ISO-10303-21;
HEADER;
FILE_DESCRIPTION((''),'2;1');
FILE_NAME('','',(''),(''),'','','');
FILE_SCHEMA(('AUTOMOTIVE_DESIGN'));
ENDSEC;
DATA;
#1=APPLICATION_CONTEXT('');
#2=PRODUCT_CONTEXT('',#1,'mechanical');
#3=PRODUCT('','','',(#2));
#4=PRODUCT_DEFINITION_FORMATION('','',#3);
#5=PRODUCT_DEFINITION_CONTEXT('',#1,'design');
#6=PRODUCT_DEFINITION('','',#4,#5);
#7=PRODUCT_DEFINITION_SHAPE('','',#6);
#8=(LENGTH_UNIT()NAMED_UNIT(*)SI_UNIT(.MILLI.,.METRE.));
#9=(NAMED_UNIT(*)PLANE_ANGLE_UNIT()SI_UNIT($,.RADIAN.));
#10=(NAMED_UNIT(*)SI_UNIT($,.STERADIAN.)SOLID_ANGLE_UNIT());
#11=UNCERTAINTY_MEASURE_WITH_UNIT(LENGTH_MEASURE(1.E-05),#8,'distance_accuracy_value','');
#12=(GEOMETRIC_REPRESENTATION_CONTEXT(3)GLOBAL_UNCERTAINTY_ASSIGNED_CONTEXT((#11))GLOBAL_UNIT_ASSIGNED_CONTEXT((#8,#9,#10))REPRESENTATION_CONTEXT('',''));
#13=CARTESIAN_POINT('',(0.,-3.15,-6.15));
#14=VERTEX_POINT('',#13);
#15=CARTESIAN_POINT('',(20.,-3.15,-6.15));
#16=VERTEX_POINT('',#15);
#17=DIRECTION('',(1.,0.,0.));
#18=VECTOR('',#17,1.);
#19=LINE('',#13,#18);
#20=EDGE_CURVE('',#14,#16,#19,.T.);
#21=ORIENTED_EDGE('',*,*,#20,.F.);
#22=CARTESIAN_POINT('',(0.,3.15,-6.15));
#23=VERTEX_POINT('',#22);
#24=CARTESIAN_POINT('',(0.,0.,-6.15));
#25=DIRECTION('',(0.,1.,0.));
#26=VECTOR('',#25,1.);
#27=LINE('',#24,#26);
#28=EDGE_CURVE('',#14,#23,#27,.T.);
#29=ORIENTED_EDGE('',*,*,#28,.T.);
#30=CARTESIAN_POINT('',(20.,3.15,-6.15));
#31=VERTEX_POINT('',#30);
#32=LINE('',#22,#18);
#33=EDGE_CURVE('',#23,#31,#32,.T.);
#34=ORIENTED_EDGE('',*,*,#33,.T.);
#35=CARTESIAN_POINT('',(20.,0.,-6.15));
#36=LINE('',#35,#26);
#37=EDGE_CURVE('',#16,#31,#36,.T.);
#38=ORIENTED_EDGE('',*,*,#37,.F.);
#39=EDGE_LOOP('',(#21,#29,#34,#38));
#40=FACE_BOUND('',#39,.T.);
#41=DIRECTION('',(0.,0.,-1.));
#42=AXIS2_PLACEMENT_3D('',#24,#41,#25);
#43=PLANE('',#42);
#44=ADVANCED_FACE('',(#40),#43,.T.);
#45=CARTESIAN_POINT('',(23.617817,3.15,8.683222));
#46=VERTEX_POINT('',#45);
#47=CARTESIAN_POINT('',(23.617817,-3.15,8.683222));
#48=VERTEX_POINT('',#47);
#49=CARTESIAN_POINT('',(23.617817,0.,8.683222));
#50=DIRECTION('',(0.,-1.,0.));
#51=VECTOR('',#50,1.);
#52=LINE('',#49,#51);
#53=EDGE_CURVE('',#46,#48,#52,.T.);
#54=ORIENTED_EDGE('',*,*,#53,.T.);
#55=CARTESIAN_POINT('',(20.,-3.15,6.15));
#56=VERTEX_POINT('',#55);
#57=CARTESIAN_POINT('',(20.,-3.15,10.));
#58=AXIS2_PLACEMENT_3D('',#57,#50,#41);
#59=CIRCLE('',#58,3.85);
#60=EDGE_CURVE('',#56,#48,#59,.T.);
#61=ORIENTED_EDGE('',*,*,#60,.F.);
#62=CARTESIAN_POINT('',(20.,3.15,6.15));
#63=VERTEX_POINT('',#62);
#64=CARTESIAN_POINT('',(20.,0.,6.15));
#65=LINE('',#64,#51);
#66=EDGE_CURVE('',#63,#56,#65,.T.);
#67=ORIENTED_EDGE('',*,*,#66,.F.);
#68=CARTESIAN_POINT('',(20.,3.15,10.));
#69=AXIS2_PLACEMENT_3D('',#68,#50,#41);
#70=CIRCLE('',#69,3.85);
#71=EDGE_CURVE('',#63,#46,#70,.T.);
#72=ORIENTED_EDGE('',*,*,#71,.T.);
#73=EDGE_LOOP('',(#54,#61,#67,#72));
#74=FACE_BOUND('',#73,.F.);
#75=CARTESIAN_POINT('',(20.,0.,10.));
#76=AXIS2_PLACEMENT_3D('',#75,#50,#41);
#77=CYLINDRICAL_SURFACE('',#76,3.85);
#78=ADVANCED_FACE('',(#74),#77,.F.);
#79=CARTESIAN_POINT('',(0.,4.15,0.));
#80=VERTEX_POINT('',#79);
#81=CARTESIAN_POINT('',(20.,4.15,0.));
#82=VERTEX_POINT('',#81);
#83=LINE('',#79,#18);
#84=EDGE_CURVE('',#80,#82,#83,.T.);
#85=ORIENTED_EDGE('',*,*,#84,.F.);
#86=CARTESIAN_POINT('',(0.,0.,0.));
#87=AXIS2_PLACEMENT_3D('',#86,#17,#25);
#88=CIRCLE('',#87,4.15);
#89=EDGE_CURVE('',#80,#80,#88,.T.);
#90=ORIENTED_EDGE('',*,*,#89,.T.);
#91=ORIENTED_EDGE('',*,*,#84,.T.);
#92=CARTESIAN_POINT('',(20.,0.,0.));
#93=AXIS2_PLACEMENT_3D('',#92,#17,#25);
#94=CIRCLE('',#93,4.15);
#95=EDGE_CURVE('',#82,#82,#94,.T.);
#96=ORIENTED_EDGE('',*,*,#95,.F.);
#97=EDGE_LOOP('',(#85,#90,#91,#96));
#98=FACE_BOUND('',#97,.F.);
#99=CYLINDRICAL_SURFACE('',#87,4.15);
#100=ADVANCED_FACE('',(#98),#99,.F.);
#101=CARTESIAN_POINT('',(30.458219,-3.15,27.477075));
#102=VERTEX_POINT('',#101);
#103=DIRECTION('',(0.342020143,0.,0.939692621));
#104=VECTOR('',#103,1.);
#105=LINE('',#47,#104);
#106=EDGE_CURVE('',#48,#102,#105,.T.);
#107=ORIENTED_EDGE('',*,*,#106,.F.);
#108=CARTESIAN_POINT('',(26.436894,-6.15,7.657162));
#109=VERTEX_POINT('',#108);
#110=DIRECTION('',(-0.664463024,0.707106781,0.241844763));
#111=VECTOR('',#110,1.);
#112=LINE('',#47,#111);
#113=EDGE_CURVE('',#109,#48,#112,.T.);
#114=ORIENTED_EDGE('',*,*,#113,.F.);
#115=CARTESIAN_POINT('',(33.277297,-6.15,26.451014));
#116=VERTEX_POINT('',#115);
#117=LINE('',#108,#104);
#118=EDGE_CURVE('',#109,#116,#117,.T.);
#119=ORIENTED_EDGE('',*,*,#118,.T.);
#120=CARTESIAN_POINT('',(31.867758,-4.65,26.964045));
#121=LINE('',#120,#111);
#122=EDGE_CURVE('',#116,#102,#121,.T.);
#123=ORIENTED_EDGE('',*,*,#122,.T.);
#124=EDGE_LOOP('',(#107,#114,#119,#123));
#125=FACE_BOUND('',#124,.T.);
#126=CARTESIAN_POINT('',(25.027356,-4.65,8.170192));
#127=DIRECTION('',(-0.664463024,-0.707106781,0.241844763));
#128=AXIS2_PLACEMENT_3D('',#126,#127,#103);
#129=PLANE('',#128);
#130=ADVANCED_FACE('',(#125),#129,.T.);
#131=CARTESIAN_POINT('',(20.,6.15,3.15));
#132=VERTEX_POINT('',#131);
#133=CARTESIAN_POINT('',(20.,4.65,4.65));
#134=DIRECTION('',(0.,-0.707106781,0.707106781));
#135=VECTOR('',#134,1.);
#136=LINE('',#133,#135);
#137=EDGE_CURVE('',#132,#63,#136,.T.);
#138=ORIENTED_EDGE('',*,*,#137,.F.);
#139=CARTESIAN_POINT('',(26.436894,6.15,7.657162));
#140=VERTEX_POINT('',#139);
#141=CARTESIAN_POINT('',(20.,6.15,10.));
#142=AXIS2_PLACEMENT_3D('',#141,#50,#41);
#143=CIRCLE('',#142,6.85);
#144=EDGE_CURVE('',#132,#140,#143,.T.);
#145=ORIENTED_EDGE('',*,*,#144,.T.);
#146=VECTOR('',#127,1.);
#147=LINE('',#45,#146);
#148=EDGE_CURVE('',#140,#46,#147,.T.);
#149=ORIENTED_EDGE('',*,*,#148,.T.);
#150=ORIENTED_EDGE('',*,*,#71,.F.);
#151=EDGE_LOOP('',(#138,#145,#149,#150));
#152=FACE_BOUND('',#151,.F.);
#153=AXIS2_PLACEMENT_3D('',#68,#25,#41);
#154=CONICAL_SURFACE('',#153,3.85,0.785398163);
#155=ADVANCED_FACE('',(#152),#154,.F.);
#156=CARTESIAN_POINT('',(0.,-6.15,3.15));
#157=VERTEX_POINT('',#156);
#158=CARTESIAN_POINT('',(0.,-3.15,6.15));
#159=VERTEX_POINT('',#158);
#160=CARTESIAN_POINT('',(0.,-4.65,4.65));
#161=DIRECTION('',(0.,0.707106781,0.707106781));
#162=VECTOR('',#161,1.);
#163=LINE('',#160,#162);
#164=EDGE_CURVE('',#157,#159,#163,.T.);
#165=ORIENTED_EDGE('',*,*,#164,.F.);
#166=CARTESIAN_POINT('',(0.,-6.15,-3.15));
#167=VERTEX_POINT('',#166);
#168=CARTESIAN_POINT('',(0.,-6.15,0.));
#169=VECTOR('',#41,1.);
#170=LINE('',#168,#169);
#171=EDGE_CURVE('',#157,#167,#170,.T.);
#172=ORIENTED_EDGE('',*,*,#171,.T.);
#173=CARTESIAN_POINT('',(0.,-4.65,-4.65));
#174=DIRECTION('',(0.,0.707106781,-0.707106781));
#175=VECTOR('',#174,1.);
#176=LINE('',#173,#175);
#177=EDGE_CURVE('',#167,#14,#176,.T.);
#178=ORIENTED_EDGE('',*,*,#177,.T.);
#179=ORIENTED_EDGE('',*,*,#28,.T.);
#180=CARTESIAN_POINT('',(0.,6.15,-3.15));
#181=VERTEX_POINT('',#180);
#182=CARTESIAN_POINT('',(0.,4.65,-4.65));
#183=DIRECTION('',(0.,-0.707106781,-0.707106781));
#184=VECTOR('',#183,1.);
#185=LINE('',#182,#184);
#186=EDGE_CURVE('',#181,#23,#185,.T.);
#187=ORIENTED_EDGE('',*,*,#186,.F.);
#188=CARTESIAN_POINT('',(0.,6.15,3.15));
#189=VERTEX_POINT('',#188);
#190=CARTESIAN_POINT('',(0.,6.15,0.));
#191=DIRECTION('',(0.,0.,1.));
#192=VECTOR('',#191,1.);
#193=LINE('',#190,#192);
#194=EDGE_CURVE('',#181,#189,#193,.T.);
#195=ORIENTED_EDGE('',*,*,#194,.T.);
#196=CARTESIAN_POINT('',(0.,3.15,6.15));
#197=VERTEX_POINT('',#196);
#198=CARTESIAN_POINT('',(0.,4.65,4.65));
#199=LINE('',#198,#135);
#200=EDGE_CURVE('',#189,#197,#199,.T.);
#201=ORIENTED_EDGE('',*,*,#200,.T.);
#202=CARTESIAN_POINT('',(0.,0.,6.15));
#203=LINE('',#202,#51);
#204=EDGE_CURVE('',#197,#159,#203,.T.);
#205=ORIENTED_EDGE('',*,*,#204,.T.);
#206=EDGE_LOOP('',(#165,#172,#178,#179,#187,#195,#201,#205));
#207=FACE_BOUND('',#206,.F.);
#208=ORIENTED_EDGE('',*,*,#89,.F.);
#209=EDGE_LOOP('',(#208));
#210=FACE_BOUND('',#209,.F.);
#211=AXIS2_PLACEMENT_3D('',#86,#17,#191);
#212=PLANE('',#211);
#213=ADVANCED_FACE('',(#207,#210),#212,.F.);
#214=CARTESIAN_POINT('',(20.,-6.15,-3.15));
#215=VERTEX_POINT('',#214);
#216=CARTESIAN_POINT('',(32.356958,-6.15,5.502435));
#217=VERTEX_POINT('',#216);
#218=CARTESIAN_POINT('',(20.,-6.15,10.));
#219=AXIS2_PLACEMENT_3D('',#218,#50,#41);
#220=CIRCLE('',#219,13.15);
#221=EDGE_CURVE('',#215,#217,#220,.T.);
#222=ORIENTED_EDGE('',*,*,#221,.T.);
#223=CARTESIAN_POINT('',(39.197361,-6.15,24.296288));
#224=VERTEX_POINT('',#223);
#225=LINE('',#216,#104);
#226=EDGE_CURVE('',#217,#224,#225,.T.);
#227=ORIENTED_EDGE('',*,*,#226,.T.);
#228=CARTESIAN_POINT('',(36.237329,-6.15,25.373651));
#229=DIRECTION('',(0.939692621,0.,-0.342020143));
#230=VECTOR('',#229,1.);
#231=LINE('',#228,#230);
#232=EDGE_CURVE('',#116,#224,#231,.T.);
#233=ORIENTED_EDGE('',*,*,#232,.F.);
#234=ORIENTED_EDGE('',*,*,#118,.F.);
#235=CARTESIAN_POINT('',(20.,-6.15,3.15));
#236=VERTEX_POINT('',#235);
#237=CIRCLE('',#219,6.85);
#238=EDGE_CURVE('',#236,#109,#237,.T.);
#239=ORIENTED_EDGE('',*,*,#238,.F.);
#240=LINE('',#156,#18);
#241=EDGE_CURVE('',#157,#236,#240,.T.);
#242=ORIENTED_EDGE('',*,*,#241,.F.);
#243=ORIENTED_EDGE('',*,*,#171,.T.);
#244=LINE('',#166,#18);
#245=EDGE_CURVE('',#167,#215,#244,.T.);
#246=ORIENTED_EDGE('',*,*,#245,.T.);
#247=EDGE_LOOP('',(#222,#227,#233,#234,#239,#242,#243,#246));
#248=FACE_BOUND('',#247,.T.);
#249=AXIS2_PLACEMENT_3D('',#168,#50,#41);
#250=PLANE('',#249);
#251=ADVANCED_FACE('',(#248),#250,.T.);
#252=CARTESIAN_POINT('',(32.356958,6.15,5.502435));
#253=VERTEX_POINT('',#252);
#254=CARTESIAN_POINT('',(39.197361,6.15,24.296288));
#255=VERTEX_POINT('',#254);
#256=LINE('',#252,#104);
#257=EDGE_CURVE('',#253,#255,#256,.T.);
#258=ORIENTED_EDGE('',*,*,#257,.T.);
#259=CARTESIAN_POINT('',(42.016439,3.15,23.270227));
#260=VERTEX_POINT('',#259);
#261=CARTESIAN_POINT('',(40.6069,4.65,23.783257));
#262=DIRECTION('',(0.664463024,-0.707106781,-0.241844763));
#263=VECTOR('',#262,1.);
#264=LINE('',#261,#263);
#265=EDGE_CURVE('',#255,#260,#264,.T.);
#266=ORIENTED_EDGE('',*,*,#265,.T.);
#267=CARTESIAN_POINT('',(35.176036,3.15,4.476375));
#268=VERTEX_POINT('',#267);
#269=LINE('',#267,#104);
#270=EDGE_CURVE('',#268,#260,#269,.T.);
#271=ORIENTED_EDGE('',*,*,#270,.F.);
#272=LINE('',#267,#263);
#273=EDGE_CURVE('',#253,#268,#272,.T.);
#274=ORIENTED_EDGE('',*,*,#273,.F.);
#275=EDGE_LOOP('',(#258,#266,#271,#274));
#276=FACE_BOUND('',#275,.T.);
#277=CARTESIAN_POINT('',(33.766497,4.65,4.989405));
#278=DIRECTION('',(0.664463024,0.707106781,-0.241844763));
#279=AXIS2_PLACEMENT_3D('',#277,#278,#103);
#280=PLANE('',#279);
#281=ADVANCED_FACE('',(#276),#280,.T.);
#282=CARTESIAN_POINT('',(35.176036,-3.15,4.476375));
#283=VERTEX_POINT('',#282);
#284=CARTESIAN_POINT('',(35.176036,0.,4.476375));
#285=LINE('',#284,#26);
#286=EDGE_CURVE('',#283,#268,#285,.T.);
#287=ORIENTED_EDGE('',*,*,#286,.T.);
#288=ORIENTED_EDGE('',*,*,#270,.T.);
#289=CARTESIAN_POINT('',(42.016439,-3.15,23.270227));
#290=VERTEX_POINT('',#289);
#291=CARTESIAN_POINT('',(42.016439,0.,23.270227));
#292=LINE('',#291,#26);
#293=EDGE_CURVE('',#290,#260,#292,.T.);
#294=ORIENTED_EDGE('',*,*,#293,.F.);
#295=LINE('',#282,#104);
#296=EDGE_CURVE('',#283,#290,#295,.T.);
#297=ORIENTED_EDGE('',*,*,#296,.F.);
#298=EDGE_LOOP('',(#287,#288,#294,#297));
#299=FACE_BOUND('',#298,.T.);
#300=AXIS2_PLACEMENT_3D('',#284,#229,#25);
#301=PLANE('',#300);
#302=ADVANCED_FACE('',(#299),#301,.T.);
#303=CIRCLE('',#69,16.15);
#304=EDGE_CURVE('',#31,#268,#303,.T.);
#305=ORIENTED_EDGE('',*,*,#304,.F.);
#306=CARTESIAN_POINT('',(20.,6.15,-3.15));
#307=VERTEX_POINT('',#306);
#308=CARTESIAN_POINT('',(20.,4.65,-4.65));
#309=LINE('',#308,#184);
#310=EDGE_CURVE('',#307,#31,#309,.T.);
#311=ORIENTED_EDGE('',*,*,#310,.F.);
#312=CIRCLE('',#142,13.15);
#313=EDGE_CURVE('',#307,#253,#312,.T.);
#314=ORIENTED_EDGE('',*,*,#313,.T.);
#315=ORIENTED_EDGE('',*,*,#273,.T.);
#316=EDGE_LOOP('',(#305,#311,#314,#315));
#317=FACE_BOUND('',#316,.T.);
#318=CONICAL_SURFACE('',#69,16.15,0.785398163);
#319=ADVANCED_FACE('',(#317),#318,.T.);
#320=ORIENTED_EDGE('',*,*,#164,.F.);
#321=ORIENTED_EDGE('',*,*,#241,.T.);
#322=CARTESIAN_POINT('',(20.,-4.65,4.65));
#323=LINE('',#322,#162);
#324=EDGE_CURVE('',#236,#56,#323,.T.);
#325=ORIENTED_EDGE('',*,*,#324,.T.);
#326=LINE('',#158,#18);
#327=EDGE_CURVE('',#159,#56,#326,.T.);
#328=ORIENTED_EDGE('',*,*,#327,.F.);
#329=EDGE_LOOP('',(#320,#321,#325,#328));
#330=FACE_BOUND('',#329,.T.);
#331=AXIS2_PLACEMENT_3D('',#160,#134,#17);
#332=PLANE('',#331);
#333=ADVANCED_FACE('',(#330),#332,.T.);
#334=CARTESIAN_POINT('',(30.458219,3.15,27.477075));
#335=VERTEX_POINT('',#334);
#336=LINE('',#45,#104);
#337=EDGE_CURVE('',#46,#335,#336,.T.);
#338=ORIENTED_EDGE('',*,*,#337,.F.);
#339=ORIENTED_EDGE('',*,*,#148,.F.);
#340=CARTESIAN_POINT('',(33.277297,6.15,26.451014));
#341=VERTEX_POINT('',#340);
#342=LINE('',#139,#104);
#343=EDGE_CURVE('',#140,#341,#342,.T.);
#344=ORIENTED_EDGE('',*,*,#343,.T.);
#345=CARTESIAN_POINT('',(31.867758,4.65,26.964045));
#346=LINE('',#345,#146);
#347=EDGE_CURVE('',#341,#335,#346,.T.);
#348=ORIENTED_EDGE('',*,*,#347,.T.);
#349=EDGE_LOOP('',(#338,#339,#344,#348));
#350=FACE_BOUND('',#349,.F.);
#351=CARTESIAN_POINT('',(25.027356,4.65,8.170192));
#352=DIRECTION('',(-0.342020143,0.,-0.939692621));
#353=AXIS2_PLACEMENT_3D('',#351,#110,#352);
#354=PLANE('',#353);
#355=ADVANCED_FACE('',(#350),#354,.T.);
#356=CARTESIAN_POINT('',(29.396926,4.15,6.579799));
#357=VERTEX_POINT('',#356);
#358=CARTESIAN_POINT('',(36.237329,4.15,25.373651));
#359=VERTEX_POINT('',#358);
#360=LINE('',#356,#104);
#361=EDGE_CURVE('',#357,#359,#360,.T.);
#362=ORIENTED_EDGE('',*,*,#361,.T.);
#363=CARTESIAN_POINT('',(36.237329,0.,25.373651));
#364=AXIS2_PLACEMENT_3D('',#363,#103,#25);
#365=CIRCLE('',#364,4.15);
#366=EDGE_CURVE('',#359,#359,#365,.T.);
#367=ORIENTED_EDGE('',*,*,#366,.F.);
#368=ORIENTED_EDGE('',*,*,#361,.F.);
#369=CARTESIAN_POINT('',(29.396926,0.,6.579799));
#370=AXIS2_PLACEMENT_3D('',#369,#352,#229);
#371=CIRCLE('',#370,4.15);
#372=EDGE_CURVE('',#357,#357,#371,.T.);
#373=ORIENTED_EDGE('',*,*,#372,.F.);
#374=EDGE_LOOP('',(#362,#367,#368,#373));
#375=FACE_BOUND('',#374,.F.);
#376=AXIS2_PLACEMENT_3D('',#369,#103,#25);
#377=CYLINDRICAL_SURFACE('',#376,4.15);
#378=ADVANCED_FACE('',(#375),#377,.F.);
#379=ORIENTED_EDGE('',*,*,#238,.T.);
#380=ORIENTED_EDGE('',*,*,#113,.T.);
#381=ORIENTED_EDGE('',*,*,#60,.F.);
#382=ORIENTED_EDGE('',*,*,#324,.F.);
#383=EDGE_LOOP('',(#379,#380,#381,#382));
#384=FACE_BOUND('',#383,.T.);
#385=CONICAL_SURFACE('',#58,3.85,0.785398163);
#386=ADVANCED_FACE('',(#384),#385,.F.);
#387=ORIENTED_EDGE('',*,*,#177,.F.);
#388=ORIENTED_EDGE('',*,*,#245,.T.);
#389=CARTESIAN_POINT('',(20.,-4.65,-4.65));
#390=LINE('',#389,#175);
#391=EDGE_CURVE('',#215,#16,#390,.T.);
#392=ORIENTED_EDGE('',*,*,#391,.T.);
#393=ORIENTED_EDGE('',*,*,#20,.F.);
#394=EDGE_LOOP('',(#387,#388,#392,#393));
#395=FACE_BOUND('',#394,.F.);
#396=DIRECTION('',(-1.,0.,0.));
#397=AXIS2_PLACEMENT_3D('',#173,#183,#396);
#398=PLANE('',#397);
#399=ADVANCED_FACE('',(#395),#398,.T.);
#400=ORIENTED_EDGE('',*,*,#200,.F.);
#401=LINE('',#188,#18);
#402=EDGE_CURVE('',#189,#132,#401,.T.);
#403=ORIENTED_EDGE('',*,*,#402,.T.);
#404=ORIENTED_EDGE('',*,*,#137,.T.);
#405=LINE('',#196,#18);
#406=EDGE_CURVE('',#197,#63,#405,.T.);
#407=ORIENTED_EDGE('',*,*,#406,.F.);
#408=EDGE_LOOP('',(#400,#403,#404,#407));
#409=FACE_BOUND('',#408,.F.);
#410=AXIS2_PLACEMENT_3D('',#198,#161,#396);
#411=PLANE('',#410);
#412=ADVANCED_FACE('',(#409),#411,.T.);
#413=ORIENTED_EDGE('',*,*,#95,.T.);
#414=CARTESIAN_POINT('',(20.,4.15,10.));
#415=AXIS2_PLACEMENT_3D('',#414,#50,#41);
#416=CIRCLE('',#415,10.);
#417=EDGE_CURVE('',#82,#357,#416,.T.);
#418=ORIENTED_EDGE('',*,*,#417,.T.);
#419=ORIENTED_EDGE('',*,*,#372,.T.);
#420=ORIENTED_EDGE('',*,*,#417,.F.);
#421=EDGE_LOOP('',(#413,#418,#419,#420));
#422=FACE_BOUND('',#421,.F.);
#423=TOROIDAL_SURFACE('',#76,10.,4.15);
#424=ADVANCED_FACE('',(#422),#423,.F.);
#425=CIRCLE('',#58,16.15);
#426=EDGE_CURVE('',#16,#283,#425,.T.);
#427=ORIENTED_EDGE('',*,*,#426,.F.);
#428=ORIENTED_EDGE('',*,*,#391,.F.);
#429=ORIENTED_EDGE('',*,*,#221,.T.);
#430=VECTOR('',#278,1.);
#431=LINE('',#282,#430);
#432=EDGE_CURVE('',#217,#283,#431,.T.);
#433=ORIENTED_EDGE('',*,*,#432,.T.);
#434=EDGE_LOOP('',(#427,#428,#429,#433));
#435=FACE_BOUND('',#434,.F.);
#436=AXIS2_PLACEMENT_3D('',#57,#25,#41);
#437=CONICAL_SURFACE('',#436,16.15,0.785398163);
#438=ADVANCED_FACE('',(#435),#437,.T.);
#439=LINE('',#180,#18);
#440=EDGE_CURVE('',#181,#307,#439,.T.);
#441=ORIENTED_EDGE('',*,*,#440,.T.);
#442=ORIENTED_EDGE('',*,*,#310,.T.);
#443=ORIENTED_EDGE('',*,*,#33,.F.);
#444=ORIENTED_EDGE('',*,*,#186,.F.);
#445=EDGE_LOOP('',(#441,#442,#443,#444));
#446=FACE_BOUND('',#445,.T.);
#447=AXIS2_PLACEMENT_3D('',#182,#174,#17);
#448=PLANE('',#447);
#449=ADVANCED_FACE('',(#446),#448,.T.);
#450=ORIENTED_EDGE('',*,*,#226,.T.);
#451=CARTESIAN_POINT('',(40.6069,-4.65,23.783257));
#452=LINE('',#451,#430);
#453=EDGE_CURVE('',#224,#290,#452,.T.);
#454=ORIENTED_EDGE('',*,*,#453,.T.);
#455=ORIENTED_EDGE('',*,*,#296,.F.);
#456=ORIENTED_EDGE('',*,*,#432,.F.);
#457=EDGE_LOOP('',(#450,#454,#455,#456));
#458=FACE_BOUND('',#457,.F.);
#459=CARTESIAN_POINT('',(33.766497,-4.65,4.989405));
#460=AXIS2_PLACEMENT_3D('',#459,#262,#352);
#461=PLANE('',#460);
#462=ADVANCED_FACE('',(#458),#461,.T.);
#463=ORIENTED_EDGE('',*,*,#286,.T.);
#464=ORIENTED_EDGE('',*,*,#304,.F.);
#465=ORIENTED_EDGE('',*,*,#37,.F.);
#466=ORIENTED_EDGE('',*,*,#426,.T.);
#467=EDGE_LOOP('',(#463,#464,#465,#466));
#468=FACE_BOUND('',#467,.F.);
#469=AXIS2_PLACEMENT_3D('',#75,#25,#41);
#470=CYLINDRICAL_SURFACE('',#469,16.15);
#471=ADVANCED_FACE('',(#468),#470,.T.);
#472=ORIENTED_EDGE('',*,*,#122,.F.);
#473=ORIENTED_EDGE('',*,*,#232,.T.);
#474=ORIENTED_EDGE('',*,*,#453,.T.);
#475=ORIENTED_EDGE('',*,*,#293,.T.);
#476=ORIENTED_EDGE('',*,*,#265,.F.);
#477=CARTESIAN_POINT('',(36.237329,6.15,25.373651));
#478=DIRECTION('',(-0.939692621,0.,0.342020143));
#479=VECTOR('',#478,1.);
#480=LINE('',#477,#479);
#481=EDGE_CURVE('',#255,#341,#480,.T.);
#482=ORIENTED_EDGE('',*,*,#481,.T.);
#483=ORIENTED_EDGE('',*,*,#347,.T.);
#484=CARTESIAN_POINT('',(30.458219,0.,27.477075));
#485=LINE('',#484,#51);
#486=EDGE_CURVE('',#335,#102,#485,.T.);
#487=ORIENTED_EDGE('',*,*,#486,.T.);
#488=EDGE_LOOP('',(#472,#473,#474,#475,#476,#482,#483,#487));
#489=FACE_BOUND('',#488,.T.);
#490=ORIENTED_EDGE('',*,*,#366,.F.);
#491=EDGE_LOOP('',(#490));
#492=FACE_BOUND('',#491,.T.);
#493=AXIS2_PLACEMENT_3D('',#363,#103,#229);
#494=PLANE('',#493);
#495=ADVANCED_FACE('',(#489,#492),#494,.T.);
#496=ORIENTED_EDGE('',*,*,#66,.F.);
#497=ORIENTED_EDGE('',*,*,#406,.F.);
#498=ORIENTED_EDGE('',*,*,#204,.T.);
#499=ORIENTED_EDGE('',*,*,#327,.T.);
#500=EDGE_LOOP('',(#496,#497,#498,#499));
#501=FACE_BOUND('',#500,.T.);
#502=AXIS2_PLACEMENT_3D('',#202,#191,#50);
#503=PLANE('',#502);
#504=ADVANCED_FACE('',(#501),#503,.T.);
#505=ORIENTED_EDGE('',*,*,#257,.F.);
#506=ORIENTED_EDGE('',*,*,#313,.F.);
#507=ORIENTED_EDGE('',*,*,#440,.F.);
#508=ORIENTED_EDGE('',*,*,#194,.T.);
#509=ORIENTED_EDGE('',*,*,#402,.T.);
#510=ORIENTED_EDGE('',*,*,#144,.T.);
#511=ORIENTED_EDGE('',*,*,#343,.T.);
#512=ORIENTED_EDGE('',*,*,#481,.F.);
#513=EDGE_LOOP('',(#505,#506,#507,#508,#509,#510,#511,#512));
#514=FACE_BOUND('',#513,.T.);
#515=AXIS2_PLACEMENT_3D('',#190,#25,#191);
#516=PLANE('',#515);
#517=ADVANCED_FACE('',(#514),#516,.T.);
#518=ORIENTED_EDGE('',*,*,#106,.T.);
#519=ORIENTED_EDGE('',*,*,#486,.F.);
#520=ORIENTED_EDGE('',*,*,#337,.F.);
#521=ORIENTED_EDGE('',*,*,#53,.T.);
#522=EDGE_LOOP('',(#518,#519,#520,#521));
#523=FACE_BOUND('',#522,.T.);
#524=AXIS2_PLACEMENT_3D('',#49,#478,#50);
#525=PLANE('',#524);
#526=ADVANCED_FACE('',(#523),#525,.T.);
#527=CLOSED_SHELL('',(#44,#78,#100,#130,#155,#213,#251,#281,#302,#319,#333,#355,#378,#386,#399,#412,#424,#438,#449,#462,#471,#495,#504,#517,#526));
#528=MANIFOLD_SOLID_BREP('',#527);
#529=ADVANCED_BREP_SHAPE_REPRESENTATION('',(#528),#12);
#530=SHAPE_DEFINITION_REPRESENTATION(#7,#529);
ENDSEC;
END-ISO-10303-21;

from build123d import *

# Parameters (mm, degrees)
F1_W    = 12.3
F1_H    = 12.3
F1_R    = 4.15
F3_SIZE = 3


with BuildPart() as f2:
    # F2: sweep along a path in F0
    with BuildLine(Plane.XZ) as f2_path:
        Line((0, 0), (20, 0))
        ThreePointArc((20, 0), (25.7357643635, 1.8084795571), (29.3969262079, 6.5797985667))
        Line((29.3969262079, 6.5797985667), (36.2373290744, 25.3736509825))
    # F1 (on Right) → F2 (sweep)
    with BuildSketch(Plane.YZ):
        Rectangle(F1_W, F1_H)
        Circle(F1_R, mode=Mode.SUBTRACT)
    sweep(path=f2_path.line)

    # F3
    f3_edges = [f2.edges().sort_by_distance(p)[0] for p in [
        (27.038018, -6.15, 18.080149),
        (38.596237, -6.15, 13.873301),
        (38.596237, 6.15, 13.873301),
        (27.038018, 6.15, 18.080149),
    ]]
    chamfer(f3_edges, length=F3_SIZE)


solid = f2.part
